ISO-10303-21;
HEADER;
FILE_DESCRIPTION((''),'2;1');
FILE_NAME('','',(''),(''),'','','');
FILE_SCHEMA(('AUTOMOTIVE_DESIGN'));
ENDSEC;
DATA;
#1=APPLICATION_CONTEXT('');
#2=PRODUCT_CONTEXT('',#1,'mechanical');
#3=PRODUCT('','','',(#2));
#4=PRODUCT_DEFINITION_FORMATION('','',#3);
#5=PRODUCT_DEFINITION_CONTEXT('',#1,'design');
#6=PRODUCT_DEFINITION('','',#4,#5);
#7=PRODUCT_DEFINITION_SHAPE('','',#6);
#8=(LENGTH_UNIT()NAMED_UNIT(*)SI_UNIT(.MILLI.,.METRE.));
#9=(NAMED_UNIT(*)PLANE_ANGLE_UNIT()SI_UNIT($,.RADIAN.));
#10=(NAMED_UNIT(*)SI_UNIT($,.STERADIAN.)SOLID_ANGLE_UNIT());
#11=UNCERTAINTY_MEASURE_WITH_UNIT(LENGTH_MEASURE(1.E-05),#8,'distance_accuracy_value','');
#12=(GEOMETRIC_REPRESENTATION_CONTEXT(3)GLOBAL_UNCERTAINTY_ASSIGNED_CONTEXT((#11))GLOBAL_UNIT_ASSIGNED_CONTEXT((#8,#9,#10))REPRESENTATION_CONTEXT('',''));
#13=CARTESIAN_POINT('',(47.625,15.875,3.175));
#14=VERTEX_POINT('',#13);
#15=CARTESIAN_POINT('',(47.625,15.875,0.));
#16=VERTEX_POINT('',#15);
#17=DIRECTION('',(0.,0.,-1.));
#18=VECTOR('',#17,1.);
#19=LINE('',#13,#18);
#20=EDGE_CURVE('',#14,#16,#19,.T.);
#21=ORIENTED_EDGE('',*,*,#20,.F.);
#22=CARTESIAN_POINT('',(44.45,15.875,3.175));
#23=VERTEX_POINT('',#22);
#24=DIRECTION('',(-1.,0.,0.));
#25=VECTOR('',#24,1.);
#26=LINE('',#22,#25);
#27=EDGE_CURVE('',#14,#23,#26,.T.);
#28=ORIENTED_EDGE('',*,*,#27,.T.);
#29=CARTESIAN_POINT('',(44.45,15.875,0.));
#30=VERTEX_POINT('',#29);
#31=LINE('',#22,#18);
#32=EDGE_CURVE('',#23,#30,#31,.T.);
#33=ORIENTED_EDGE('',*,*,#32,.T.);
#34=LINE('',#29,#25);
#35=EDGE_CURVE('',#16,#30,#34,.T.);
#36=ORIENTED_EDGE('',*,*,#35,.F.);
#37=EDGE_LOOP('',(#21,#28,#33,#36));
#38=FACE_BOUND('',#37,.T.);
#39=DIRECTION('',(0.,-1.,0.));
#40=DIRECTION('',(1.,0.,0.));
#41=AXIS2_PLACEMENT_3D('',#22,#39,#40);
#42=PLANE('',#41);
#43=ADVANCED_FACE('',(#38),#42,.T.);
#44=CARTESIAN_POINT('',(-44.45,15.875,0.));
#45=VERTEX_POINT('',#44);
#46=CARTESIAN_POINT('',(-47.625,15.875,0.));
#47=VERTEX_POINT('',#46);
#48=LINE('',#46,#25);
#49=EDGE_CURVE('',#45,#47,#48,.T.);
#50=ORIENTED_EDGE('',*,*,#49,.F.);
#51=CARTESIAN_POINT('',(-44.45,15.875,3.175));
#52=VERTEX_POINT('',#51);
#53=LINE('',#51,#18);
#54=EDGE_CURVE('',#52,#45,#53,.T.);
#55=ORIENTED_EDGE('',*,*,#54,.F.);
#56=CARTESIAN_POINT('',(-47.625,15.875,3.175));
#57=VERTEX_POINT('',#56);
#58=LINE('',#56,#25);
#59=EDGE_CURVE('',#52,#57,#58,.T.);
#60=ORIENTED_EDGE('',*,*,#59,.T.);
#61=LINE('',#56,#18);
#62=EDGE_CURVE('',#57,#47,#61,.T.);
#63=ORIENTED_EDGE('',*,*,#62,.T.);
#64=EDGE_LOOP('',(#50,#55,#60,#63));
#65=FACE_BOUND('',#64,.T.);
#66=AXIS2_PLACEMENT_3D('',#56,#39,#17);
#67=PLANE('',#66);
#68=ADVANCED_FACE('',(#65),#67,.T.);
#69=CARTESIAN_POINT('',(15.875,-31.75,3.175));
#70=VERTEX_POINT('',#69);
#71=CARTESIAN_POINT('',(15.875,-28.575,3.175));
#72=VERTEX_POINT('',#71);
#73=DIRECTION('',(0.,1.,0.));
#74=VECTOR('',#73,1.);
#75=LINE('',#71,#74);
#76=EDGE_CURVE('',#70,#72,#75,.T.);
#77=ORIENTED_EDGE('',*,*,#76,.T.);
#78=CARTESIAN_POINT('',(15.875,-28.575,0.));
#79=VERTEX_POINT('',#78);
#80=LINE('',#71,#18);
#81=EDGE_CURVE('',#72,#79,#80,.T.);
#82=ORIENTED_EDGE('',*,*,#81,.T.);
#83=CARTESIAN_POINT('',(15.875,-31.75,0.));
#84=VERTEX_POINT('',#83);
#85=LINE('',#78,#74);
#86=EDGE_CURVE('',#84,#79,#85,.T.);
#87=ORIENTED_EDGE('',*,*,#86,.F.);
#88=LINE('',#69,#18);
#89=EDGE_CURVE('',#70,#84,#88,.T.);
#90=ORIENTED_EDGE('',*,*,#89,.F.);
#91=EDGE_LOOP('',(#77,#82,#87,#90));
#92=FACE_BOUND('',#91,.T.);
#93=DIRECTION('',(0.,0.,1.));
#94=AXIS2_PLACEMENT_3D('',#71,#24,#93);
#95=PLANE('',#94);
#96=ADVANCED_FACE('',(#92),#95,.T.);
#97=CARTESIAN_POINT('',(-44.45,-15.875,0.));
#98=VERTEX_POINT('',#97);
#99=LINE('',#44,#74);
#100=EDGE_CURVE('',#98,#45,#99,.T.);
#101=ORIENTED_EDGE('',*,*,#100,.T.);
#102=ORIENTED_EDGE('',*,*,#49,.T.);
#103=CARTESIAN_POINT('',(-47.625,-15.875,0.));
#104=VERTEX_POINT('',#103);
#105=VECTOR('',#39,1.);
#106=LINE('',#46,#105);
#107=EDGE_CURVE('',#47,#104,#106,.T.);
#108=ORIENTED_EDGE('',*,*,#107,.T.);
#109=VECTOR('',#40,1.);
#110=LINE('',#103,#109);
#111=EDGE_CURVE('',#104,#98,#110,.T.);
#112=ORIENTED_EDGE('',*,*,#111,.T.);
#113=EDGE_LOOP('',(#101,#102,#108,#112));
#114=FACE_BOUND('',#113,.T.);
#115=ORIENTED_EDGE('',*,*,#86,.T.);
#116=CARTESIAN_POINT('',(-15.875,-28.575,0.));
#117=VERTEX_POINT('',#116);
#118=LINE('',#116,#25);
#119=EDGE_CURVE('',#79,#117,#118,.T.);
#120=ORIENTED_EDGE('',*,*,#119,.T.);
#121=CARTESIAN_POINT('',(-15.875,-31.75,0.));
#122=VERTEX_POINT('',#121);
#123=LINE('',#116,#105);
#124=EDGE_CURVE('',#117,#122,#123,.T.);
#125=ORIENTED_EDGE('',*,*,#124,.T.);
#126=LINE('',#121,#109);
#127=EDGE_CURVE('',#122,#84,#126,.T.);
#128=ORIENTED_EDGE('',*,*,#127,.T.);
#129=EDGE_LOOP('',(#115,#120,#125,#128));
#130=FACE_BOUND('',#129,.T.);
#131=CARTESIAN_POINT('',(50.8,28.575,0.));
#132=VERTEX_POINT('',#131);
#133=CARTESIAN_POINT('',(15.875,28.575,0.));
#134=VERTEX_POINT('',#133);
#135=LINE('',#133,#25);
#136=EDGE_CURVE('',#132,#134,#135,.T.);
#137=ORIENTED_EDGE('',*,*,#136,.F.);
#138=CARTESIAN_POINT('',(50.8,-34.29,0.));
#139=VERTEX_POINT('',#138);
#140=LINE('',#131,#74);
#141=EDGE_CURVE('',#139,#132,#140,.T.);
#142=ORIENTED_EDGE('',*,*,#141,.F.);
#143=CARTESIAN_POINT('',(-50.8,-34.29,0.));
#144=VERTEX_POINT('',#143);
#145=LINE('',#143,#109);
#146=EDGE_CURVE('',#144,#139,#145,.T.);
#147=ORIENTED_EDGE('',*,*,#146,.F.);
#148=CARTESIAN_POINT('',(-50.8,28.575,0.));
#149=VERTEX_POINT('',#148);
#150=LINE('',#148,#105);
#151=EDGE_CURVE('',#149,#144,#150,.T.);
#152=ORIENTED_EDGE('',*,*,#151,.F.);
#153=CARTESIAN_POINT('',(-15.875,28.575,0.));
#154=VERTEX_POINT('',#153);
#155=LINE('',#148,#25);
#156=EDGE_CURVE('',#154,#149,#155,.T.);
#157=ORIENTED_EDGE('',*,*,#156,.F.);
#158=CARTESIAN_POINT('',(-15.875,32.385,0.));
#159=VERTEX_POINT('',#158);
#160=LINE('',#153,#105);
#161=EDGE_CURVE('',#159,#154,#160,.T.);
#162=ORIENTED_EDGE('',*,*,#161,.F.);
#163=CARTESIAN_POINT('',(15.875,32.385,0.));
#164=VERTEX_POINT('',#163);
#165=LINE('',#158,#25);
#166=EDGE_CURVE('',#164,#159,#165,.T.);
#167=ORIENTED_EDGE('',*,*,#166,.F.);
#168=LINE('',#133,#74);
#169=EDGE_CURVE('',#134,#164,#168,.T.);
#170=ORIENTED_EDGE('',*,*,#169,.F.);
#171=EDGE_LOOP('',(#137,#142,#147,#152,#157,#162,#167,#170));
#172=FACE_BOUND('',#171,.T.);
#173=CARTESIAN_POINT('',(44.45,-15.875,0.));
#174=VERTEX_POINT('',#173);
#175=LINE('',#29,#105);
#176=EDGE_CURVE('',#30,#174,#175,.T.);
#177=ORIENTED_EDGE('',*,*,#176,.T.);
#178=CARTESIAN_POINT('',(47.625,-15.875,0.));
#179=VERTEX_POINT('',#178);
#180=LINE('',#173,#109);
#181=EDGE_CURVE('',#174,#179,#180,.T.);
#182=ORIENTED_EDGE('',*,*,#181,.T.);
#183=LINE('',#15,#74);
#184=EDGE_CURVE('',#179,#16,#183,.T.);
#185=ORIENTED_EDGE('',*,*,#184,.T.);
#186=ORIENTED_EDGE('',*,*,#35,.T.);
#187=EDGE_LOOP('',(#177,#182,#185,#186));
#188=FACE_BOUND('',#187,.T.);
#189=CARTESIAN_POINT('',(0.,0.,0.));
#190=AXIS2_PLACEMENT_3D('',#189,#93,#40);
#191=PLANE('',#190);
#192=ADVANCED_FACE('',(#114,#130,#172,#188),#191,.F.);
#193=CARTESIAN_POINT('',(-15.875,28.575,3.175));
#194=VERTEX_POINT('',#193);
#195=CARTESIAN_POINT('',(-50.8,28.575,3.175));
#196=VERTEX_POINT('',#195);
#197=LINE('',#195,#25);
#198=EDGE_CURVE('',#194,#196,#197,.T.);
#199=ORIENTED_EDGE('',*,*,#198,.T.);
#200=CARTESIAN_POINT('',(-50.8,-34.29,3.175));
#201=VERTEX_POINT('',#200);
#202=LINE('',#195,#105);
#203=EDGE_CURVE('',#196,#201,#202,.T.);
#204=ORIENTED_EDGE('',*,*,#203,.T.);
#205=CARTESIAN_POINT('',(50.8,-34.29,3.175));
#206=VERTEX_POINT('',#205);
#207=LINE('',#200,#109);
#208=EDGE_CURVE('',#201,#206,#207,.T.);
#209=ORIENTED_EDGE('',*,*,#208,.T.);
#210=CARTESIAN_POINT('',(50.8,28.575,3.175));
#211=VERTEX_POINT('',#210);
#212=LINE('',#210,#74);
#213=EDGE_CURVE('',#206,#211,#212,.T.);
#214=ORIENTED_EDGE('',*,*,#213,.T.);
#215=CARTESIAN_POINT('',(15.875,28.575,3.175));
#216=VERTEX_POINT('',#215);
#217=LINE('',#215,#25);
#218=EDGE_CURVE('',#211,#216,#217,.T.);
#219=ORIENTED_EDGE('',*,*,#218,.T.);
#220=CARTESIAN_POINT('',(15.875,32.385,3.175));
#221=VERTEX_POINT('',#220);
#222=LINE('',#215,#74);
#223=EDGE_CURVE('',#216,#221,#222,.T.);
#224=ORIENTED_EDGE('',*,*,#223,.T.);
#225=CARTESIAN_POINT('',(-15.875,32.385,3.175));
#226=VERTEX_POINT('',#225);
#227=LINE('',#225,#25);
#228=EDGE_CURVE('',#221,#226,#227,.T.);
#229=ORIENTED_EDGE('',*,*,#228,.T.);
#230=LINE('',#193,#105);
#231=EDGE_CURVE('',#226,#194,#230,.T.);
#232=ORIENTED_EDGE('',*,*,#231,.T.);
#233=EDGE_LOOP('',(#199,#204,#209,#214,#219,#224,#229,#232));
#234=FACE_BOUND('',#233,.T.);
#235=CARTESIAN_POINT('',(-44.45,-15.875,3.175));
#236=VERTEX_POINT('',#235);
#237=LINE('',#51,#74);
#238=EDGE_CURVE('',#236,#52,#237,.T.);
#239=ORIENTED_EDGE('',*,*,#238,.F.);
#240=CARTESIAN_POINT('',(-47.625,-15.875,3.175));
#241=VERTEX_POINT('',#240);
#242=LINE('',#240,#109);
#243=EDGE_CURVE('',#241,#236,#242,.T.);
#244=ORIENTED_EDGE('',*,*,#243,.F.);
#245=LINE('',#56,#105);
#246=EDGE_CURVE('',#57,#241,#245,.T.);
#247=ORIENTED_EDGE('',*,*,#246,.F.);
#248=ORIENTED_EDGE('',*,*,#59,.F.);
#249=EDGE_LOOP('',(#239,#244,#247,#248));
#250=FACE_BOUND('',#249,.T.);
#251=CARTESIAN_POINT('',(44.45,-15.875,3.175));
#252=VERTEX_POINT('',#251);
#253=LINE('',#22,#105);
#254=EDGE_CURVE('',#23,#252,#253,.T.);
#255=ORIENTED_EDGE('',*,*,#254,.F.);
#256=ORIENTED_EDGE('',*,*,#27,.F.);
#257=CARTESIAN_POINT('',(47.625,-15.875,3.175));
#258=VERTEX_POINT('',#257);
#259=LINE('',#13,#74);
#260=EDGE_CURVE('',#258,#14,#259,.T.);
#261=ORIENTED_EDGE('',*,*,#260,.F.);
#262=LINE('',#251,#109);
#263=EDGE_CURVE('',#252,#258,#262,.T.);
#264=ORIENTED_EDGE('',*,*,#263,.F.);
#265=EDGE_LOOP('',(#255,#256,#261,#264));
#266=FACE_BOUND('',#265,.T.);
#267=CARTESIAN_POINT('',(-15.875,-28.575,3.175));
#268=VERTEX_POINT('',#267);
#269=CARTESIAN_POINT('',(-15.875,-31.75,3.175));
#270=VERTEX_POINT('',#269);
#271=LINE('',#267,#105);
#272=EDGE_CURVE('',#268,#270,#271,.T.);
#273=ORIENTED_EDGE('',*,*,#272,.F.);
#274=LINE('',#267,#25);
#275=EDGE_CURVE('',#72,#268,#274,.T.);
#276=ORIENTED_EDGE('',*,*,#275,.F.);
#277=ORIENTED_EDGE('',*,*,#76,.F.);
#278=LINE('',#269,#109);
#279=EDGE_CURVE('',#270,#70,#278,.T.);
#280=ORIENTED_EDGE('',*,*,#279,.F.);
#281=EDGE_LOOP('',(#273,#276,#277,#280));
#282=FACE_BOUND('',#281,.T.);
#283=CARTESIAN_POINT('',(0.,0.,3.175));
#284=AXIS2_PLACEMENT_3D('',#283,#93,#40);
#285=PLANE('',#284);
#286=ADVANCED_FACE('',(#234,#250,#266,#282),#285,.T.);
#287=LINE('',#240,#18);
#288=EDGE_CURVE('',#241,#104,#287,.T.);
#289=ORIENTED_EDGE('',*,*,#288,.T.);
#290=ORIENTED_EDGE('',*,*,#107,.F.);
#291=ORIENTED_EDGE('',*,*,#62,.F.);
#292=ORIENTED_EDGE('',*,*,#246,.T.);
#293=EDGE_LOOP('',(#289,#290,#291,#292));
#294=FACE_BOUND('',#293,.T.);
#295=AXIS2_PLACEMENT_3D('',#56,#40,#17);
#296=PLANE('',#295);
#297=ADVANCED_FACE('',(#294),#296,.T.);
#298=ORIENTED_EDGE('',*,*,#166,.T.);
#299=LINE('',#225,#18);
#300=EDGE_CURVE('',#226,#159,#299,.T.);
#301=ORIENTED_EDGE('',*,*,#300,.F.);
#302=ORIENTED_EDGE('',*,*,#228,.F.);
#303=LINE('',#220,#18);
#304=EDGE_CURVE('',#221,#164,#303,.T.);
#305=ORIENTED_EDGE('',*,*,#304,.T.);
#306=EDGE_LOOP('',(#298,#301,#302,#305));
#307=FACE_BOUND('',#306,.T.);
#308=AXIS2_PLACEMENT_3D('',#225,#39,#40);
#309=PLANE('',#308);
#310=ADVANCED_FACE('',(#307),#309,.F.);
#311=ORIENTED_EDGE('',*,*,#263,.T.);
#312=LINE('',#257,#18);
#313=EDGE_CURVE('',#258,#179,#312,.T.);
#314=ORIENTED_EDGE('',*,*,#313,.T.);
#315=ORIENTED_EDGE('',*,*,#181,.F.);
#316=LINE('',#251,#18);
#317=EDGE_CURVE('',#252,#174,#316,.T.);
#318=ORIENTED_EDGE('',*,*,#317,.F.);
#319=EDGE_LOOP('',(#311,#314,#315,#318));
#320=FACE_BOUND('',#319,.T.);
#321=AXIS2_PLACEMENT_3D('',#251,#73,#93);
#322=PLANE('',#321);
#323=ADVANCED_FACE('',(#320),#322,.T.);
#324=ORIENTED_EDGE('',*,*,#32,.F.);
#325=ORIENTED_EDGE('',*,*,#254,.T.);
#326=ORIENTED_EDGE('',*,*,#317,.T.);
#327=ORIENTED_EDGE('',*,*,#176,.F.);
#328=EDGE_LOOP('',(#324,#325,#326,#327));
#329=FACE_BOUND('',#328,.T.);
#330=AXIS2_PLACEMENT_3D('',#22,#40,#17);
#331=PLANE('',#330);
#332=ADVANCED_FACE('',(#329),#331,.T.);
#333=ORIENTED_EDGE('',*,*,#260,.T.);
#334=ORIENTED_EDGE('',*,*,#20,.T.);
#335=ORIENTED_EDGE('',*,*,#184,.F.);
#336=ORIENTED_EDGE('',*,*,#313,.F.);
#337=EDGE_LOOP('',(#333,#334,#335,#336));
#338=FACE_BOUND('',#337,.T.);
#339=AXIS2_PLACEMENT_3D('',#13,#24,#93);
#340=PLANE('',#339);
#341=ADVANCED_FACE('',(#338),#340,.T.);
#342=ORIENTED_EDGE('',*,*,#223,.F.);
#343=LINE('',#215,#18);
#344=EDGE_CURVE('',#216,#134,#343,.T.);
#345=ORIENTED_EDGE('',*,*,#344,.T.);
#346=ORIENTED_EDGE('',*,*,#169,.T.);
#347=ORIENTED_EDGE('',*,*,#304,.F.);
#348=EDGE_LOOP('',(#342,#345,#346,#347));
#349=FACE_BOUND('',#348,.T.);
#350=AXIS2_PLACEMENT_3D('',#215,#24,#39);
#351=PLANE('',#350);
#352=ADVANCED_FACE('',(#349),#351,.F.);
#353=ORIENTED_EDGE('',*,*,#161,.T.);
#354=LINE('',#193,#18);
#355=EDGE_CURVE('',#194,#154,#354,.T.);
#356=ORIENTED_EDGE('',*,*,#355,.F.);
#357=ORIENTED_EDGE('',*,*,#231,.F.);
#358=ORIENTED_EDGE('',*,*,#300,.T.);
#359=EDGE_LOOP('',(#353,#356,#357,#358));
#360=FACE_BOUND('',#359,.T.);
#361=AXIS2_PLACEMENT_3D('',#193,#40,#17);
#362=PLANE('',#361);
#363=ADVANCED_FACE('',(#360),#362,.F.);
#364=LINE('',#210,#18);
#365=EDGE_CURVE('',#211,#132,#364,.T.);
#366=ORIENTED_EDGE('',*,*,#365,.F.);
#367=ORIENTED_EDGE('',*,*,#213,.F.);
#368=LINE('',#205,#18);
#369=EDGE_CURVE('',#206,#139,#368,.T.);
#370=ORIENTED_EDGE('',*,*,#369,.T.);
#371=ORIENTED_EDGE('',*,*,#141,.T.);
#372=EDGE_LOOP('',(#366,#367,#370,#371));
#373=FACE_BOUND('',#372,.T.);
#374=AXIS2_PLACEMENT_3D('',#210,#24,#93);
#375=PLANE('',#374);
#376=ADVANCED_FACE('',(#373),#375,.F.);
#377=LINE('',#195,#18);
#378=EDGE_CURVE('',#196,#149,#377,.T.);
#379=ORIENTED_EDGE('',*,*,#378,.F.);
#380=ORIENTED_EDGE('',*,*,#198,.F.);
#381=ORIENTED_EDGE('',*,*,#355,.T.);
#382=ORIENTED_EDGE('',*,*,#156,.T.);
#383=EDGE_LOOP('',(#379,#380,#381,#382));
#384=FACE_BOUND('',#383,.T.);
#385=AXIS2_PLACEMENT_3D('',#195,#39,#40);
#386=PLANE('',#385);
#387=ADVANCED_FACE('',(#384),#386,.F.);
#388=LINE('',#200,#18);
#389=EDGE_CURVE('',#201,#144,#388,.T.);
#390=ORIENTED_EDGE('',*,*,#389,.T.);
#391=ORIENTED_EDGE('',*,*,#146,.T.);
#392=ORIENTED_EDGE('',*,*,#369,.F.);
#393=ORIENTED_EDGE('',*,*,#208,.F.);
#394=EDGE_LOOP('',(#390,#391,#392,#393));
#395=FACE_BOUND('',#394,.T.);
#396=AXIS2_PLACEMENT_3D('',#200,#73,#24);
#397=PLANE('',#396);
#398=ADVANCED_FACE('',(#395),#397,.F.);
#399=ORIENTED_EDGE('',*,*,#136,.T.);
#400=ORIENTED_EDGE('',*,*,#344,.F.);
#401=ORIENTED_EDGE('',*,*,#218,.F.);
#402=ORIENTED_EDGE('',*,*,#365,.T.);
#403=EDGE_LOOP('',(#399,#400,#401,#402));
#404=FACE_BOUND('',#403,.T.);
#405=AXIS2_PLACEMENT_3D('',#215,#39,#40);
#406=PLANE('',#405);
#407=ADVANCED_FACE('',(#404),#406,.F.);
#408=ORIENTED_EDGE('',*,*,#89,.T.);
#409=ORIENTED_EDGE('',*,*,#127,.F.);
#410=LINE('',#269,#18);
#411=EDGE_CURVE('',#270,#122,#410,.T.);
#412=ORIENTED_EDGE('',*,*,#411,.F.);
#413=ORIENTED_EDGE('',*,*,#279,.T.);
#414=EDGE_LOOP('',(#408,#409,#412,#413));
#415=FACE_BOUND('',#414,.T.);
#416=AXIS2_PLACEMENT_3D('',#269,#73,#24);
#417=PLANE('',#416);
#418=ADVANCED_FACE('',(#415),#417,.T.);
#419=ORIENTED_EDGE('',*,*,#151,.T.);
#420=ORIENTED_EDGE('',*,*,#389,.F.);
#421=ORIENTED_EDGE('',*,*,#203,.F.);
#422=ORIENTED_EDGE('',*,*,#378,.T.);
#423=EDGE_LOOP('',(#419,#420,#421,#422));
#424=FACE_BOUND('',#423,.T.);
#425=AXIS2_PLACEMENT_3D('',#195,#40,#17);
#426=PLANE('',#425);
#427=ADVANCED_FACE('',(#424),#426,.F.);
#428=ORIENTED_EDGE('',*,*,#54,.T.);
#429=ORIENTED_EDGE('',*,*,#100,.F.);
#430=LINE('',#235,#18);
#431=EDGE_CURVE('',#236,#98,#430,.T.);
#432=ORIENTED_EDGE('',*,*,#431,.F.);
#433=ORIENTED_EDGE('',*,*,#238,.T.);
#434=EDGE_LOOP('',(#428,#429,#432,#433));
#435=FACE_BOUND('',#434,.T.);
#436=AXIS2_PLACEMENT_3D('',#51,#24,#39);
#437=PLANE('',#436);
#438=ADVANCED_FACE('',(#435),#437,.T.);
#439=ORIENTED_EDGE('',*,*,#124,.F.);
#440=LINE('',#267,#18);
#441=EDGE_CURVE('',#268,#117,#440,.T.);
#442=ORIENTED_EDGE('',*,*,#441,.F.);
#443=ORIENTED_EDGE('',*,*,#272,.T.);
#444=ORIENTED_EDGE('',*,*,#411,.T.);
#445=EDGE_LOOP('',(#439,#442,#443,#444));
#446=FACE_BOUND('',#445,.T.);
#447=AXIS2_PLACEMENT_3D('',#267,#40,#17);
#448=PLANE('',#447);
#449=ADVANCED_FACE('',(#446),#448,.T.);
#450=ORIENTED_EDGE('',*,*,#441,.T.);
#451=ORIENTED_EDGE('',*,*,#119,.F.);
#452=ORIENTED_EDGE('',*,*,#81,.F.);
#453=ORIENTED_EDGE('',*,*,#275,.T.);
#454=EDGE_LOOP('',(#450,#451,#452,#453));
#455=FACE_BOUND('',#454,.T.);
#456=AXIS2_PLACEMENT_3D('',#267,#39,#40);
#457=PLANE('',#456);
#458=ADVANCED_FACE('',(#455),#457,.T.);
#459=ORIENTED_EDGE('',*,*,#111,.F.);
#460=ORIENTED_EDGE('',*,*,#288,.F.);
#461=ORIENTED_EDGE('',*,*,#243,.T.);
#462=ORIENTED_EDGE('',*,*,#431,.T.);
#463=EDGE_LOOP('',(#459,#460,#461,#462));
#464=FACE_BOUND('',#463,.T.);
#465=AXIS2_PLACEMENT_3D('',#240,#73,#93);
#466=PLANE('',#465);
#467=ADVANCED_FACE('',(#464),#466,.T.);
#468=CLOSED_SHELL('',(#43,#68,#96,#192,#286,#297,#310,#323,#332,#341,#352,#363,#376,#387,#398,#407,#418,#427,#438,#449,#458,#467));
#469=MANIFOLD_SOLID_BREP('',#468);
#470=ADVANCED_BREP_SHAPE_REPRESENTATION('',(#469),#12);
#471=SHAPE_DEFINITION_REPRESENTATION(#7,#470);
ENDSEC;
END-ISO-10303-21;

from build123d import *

# Parameters (mm, degrees)
SKETCH1_W           = 31.75
SKETCH1_H           = 3.175
SKETCH1_W_2         = 3.175
SKETCH1_H_2         = 31.75
BOSS_EXTRUDE1_DEPTH = 3.175


with BuildPart() as part:
    # Sketch1 → Boss-Extrude1 (new body)
    with BuildSketch(Plane.XY):
        Polygon((-50.8, 28.575), (-15.875, 28.575), (-15.875, 32.385), (15.875, 32.385), (15.875, 28.575), (50.8, 28.575), (50.8, -34.29), (-50.8, -34.29), align=None)
        with Locations((0, -30.1625)):
            Rectangle(SKETCH1_W, SKETCH1_H, mode=Mode.SUBTRACT)
        with Locations((-46.0375, 0)):
            Rectangle(SKETCH1_W_2, SKETCH1_H_2, mode=Mode.SUBTRACT)
        with Locations((46.0375, 0)):
            Rectangle(SKETCH1_W_2, SKETCH1_H_2, mode=Mode.SUBTRACT)
    extrude(amount=BOSS_EXTRUDE1_DEPTH)


solid = part.part
